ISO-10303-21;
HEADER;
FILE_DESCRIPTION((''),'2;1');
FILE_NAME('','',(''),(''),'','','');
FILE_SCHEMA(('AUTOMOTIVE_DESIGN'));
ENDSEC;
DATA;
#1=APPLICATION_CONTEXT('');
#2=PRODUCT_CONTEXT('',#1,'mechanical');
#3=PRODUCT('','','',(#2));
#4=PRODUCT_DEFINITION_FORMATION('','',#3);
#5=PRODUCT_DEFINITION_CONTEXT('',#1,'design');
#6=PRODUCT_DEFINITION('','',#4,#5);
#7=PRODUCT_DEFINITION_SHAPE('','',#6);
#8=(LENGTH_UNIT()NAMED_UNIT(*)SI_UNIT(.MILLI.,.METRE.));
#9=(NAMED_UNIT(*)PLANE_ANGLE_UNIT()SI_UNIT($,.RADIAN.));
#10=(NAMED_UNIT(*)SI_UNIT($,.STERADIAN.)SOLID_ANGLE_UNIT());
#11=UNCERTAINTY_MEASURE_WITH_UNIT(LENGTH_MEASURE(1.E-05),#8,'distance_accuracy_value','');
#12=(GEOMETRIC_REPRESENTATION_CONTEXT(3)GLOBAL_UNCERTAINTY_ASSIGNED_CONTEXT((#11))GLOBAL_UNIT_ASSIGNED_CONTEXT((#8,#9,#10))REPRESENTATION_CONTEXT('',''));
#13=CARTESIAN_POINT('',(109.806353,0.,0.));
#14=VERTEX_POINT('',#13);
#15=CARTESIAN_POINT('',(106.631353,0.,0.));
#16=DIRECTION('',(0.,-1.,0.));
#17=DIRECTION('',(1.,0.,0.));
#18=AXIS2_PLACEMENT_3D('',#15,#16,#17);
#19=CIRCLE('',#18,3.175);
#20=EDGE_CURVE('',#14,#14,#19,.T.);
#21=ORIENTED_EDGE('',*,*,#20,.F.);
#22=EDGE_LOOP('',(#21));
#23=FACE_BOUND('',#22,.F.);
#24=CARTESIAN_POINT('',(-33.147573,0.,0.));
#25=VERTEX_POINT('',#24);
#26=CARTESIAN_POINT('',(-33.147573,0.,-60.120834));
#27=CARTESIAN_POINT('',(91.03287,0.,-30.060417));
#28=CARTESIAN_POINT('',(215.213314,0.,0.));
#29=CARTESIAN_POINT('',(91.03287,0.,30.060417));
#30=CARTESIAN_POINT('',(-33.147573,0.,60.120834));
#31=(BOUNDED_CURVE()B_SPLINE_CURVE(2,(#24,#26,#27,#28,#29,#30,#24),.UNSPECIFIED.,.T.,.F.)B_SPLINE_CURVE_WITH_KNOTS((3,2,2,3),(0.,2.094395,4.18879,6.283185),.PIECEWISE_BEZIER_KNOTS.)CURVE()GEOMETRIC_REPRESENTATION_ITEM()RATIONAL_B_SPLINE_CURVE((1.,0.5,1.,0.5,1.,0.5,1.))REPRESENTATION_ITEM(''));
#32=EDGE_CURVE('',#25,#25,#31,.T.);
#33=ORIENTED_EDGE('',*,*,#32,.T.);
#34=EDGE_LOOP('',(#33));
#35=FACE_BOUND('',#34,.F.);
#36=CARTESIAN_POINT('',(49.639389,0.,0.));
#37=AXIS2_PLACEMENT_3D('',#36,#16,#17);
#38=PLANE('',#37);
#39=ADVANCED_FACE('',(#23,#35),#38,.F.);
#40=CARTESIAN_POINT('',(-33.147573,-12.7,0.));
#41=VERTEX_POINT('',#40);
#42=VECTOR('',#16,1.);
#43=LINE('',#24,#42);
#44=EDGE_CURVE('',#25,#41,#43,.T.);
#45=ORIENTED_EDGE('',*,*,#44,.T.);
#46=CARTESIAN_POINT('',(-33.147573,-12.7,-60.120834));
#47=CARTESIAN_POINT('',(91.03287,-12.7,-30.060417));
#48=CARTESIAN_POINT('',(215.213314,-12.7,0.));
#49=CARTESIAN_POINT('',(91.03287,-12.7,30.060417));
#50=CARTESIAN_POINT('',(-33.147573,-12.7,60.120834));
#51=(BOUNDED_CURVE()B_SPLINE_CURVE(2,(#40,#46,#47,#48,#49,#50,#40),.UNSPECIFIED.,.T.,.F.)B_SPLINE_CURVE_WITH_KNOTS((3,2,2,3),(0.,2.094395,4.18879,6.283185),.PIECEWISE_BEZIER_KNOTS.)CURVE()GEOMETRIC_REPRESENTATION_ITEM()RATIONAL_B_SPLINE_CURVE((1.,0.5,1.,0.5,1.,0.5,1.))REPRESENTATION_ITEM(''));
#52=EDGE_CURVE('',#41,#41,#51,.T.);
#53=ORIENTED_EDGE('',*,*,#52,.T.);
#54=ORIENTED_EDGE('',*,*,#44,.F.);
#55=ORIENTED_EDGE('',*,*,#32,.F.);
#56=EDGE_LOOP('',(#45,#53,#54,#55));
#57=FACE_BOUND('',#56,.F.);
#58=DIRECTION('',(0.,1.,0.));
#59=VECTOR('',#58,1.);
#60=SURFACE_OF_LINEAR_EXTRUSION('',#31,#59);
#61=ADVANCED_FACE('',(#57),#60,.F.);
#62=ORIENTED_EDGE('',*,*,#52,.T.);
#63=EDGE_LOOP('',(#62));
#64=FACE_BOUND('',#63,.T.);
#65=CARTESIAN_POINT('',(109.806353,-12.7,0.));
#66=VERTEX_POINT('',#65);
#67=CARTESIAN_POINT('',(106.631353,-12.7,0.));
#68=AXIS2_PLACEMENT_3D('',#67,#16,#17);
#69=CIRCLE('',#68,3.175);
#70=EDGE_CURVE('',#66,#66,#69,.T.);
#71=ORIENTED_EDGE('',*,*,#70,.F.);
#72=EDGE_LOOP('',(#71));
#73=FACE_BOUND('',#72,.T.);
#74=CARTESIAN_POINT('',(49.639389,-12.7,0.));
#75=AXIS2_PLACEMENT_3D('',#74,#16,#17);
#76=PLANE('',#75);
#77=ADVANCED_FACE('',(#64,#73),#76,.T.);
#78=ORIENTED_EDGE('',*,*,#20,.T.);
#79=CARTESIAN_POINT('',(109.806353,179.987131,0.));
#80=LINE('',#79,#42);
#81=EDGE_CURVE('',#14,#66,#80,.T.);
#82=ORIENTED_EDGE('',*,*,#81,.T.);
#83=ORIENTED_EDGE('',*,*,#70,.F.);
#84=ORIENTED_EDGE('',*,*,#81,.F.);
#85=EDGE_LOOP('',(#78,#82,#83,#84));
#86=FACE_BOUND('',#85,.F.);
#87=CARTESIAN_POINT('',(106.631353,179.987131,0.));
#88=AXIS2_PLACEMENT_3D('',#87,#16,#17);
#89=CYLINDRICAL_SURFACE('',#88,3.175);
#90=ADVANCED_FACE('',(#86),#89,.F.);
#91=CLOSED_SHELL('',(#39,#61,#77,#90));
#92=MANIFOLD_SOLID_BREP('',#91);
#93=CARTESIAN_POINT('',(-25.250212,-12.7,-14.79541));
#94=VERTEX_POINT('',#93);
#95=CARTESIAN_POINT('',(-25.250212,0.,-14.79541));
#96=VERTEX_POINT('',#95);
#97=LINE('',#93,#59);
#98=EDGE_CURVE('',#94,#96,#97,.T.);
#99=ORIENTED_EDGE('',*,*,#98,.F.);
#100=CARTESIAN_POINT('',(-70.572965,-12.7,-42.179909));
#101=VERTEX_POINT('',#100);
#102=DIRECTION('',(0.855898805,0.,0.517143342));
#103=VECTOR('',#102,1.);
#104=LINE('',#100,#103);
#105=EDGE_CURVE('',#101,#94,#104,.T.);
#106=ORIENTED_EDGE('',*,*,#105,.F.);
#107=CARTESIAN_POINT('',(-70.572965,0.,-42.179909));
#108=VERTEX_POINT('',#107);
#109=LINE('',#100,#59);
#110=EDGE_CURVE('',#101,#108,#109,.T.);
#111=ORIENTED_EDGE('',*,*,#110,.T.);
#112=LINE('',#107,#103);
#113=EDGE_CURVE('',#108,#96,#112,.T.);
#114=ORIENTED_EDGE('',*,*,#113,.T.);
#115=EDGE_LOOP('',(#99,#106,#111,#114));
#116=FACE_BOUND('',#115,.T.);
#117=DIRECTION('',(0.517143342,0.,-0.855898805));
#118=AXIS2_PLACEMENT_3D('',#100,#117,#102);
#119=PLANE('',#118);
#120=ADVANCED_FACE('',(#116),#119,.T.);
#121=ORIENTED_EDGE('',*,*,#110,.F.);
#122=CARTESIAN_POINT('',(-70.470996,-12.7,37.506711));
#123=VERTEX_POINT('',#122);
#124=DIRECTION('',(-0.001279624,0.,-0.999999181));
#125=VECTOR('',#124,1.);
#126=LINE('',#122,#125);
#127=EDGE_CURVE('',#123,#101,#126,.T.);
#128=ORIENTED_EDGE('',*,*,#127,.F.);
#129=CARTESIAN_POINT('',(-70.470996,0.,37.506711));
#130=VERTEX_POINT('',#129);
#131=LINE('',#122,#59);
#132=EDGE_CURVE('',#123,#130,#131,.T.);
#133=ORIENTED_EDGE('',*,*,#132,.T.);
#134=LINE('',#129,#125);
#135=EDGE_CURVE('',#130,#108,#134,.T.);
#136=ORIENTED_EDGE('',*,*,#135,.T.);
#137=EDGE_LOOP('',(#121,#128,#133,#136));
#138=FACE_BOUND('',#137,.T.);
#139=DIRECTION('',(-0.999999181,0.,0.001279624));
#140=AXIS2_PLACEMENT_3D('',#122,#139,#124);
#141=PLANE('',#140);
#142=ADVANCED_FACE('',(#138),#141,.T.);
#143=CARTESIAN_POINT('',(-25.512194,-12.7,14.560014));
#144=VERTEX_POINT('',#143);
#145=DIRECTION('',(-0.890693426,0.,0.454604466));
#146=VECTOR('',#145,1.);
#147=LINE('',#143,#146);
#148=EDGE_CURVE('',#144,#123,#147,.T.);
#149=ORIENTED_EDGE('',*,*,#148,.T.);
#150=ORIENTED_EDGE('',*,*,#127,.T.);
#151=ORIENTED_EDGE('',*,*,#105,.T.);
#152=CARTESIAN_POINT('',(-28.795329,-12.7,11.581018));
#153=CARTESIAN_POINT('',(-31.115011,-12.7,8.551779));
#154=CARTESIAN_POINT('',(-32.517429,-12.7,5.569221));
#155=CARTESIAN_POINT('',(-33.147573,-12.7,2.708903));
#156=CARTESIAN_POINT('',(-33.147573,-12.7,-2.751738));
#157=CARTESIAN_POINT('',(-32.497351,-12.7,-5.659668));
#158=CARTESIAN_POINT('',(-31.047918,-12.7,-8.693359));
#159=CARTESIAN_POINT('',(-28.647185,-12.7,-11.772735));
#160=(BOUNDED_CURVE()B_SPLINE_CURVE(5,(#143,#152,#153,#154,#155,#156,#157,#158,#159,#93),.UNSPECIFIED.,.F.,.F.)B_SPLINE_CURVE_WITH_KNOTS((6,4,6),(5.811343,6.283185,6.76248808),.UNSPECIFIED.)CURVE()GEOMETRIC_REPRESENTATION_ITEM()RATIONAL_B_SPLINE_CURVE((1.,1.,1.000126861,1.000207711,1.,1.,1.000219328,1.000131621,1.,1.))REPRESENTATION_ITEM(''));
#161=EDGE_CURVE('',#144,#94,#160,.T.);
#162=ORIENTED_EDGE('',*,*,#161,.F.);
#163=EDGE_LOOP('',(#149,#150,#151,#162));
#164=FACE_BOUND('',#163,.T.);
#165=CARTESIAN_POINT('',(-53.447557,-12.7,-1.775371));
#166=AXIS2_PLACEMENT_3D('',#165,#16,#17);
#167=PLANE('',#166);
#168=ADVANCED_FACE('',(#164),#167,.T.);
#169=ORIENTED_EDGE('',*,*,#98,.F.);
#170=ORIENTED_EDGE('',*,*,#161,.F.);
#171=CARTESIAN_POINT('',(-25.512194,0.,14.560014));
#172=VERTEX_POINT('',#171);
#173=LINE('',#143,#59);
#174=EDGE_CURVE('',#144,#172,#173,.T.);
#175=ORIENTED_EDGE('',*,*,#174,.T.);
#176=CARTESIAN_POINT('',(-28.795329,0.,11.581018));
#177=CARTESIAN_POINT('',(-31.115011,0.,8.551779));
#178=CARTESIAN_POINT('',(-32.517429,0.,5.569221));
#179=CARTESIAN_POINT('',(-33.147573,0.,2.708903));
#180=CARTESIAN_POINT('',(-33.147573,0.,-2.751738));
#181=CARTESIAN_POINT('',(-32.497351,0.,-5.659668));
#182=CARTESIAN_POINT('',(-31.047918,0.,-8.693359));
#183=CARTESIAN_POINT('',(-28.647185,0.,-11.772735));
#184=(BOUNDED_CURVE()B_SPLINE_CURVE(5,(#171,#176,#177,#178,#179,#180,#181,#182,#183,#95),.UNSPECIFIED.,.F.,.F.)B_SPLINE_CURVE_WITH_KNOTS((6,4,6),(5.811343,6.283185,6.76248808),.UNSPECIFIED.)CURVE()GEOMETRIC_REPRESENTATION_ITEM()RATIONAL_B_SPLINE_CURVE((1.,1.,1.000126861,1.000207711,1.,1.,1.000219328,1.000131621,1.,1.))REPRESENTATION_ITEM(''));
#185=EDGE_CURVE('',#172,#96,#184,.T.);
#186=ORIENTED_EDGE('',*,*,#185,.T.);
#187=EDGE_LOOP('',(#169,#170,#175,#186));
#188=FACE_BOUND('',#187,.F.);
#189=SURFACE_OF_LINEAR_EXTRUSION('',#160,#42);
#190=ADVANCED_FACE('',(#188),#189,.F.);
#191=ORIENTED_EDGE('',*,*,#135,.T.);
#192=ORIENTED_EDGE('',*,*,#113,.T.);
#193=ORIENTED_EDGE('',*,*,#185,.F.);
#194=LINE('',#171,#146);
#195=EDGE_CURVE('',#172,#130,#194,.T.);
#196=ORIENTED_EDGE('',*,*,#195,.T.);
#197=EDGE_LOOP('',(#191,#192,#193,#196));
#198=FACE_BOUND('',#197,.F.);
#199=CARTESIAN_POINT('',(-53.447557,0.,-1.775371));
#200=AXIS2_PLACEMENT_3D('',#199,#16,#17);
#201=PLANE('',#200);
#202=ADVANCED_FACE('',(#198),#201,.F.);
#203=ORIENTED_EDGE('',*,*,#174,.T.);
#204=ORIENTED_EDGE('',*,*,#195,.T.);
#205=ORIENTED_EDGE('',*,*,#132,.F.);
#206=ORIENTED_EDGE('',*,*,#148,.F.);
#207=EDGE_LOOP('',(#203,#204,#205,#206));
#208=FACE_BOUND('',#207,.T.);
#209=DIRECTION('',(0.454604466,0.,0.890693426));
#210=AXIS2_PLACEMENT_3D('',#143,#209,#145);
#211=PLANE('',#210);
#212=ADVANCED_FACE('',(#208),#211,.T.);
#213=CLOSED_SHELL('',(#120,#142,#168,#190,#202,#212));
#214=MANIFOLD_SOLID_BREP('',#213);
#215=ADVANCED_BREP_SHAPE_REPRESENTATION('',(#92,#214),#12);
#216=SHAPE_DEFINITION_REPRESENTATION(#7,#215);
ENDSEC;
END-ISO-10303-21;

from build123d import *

# Parameters (mm, degrees)
F1_DEPTH = 12.7
F3_DEPTH = 12.7
F5_D     = 6.35


with BuildPart() as f1:
    # F0 (on Front) → F1 (new body)
    with BuildSketch(Plane.XZ):
        with BuildLine():
            add(Edge.make_bspline(
                [(-33.147573, 0), (-33.147573, -60.120834), (91.03287, -30.060417), (215.213314, 0), (91.03287, 30.060417), (-33.147573, 60.120834), (-33.147573, 0)],
                knots=[0, 0, 0, 2.094395, 2.094395, 4.18879, 4.18879, 6.283185, 6.283185, 6.283185], degree=2, weights=[1, 0.5, 1, 0.5, 1, 0.5, 1]))
        make_face()
    extrude(amount=F1_DEPTH)

    # F5 (through all)
    with Locations(Plane(origin=(0, 0, 0), x_dir=(-1, 0, 0), z_dir=(0, 1, 0))):
        with Locations((-106.631353, 0)):
            Hole(F5_D / 2)


with BuildPart() as f3:
    # F2 (on face) → F3 (new body)
    with BuildSketch(Plane.XZ.offset(12.7)):
        with BuildLine():
            Line((-70.470996, 37.506711), (-70.572965, -42.179909))
            Line((-70.572965, -42.179909), (-25.250212, -14.79541))
            add(Edge.make_bspline(
                [(-33.147573, 0), (-33.147573, -7.768225), (-25.250212, -14.79541)],
                knots=[0, 0, 0, 0.479304, 0.479304, 0.479304], degree=2, weights=[1, 0.885575, 0.823522]))
            add(Edge.make_bspline(
                [(-25.512194, 14.560014), (-33.147573, 7.631952), (-33.147573, 0)],
                knots=[5.811343, 5.811343, 5.811343, 6.283185, 6.283185, 6.283185], degree=2, weights=[0.825467, 0.887356, 1]))
            Line((-25.512194, 14.560014), (-70.470996, 37.506711))
        make_face()
    extrude(amount=-F3_DEPTH)


solid = Compound([f1.part, f3.part])
